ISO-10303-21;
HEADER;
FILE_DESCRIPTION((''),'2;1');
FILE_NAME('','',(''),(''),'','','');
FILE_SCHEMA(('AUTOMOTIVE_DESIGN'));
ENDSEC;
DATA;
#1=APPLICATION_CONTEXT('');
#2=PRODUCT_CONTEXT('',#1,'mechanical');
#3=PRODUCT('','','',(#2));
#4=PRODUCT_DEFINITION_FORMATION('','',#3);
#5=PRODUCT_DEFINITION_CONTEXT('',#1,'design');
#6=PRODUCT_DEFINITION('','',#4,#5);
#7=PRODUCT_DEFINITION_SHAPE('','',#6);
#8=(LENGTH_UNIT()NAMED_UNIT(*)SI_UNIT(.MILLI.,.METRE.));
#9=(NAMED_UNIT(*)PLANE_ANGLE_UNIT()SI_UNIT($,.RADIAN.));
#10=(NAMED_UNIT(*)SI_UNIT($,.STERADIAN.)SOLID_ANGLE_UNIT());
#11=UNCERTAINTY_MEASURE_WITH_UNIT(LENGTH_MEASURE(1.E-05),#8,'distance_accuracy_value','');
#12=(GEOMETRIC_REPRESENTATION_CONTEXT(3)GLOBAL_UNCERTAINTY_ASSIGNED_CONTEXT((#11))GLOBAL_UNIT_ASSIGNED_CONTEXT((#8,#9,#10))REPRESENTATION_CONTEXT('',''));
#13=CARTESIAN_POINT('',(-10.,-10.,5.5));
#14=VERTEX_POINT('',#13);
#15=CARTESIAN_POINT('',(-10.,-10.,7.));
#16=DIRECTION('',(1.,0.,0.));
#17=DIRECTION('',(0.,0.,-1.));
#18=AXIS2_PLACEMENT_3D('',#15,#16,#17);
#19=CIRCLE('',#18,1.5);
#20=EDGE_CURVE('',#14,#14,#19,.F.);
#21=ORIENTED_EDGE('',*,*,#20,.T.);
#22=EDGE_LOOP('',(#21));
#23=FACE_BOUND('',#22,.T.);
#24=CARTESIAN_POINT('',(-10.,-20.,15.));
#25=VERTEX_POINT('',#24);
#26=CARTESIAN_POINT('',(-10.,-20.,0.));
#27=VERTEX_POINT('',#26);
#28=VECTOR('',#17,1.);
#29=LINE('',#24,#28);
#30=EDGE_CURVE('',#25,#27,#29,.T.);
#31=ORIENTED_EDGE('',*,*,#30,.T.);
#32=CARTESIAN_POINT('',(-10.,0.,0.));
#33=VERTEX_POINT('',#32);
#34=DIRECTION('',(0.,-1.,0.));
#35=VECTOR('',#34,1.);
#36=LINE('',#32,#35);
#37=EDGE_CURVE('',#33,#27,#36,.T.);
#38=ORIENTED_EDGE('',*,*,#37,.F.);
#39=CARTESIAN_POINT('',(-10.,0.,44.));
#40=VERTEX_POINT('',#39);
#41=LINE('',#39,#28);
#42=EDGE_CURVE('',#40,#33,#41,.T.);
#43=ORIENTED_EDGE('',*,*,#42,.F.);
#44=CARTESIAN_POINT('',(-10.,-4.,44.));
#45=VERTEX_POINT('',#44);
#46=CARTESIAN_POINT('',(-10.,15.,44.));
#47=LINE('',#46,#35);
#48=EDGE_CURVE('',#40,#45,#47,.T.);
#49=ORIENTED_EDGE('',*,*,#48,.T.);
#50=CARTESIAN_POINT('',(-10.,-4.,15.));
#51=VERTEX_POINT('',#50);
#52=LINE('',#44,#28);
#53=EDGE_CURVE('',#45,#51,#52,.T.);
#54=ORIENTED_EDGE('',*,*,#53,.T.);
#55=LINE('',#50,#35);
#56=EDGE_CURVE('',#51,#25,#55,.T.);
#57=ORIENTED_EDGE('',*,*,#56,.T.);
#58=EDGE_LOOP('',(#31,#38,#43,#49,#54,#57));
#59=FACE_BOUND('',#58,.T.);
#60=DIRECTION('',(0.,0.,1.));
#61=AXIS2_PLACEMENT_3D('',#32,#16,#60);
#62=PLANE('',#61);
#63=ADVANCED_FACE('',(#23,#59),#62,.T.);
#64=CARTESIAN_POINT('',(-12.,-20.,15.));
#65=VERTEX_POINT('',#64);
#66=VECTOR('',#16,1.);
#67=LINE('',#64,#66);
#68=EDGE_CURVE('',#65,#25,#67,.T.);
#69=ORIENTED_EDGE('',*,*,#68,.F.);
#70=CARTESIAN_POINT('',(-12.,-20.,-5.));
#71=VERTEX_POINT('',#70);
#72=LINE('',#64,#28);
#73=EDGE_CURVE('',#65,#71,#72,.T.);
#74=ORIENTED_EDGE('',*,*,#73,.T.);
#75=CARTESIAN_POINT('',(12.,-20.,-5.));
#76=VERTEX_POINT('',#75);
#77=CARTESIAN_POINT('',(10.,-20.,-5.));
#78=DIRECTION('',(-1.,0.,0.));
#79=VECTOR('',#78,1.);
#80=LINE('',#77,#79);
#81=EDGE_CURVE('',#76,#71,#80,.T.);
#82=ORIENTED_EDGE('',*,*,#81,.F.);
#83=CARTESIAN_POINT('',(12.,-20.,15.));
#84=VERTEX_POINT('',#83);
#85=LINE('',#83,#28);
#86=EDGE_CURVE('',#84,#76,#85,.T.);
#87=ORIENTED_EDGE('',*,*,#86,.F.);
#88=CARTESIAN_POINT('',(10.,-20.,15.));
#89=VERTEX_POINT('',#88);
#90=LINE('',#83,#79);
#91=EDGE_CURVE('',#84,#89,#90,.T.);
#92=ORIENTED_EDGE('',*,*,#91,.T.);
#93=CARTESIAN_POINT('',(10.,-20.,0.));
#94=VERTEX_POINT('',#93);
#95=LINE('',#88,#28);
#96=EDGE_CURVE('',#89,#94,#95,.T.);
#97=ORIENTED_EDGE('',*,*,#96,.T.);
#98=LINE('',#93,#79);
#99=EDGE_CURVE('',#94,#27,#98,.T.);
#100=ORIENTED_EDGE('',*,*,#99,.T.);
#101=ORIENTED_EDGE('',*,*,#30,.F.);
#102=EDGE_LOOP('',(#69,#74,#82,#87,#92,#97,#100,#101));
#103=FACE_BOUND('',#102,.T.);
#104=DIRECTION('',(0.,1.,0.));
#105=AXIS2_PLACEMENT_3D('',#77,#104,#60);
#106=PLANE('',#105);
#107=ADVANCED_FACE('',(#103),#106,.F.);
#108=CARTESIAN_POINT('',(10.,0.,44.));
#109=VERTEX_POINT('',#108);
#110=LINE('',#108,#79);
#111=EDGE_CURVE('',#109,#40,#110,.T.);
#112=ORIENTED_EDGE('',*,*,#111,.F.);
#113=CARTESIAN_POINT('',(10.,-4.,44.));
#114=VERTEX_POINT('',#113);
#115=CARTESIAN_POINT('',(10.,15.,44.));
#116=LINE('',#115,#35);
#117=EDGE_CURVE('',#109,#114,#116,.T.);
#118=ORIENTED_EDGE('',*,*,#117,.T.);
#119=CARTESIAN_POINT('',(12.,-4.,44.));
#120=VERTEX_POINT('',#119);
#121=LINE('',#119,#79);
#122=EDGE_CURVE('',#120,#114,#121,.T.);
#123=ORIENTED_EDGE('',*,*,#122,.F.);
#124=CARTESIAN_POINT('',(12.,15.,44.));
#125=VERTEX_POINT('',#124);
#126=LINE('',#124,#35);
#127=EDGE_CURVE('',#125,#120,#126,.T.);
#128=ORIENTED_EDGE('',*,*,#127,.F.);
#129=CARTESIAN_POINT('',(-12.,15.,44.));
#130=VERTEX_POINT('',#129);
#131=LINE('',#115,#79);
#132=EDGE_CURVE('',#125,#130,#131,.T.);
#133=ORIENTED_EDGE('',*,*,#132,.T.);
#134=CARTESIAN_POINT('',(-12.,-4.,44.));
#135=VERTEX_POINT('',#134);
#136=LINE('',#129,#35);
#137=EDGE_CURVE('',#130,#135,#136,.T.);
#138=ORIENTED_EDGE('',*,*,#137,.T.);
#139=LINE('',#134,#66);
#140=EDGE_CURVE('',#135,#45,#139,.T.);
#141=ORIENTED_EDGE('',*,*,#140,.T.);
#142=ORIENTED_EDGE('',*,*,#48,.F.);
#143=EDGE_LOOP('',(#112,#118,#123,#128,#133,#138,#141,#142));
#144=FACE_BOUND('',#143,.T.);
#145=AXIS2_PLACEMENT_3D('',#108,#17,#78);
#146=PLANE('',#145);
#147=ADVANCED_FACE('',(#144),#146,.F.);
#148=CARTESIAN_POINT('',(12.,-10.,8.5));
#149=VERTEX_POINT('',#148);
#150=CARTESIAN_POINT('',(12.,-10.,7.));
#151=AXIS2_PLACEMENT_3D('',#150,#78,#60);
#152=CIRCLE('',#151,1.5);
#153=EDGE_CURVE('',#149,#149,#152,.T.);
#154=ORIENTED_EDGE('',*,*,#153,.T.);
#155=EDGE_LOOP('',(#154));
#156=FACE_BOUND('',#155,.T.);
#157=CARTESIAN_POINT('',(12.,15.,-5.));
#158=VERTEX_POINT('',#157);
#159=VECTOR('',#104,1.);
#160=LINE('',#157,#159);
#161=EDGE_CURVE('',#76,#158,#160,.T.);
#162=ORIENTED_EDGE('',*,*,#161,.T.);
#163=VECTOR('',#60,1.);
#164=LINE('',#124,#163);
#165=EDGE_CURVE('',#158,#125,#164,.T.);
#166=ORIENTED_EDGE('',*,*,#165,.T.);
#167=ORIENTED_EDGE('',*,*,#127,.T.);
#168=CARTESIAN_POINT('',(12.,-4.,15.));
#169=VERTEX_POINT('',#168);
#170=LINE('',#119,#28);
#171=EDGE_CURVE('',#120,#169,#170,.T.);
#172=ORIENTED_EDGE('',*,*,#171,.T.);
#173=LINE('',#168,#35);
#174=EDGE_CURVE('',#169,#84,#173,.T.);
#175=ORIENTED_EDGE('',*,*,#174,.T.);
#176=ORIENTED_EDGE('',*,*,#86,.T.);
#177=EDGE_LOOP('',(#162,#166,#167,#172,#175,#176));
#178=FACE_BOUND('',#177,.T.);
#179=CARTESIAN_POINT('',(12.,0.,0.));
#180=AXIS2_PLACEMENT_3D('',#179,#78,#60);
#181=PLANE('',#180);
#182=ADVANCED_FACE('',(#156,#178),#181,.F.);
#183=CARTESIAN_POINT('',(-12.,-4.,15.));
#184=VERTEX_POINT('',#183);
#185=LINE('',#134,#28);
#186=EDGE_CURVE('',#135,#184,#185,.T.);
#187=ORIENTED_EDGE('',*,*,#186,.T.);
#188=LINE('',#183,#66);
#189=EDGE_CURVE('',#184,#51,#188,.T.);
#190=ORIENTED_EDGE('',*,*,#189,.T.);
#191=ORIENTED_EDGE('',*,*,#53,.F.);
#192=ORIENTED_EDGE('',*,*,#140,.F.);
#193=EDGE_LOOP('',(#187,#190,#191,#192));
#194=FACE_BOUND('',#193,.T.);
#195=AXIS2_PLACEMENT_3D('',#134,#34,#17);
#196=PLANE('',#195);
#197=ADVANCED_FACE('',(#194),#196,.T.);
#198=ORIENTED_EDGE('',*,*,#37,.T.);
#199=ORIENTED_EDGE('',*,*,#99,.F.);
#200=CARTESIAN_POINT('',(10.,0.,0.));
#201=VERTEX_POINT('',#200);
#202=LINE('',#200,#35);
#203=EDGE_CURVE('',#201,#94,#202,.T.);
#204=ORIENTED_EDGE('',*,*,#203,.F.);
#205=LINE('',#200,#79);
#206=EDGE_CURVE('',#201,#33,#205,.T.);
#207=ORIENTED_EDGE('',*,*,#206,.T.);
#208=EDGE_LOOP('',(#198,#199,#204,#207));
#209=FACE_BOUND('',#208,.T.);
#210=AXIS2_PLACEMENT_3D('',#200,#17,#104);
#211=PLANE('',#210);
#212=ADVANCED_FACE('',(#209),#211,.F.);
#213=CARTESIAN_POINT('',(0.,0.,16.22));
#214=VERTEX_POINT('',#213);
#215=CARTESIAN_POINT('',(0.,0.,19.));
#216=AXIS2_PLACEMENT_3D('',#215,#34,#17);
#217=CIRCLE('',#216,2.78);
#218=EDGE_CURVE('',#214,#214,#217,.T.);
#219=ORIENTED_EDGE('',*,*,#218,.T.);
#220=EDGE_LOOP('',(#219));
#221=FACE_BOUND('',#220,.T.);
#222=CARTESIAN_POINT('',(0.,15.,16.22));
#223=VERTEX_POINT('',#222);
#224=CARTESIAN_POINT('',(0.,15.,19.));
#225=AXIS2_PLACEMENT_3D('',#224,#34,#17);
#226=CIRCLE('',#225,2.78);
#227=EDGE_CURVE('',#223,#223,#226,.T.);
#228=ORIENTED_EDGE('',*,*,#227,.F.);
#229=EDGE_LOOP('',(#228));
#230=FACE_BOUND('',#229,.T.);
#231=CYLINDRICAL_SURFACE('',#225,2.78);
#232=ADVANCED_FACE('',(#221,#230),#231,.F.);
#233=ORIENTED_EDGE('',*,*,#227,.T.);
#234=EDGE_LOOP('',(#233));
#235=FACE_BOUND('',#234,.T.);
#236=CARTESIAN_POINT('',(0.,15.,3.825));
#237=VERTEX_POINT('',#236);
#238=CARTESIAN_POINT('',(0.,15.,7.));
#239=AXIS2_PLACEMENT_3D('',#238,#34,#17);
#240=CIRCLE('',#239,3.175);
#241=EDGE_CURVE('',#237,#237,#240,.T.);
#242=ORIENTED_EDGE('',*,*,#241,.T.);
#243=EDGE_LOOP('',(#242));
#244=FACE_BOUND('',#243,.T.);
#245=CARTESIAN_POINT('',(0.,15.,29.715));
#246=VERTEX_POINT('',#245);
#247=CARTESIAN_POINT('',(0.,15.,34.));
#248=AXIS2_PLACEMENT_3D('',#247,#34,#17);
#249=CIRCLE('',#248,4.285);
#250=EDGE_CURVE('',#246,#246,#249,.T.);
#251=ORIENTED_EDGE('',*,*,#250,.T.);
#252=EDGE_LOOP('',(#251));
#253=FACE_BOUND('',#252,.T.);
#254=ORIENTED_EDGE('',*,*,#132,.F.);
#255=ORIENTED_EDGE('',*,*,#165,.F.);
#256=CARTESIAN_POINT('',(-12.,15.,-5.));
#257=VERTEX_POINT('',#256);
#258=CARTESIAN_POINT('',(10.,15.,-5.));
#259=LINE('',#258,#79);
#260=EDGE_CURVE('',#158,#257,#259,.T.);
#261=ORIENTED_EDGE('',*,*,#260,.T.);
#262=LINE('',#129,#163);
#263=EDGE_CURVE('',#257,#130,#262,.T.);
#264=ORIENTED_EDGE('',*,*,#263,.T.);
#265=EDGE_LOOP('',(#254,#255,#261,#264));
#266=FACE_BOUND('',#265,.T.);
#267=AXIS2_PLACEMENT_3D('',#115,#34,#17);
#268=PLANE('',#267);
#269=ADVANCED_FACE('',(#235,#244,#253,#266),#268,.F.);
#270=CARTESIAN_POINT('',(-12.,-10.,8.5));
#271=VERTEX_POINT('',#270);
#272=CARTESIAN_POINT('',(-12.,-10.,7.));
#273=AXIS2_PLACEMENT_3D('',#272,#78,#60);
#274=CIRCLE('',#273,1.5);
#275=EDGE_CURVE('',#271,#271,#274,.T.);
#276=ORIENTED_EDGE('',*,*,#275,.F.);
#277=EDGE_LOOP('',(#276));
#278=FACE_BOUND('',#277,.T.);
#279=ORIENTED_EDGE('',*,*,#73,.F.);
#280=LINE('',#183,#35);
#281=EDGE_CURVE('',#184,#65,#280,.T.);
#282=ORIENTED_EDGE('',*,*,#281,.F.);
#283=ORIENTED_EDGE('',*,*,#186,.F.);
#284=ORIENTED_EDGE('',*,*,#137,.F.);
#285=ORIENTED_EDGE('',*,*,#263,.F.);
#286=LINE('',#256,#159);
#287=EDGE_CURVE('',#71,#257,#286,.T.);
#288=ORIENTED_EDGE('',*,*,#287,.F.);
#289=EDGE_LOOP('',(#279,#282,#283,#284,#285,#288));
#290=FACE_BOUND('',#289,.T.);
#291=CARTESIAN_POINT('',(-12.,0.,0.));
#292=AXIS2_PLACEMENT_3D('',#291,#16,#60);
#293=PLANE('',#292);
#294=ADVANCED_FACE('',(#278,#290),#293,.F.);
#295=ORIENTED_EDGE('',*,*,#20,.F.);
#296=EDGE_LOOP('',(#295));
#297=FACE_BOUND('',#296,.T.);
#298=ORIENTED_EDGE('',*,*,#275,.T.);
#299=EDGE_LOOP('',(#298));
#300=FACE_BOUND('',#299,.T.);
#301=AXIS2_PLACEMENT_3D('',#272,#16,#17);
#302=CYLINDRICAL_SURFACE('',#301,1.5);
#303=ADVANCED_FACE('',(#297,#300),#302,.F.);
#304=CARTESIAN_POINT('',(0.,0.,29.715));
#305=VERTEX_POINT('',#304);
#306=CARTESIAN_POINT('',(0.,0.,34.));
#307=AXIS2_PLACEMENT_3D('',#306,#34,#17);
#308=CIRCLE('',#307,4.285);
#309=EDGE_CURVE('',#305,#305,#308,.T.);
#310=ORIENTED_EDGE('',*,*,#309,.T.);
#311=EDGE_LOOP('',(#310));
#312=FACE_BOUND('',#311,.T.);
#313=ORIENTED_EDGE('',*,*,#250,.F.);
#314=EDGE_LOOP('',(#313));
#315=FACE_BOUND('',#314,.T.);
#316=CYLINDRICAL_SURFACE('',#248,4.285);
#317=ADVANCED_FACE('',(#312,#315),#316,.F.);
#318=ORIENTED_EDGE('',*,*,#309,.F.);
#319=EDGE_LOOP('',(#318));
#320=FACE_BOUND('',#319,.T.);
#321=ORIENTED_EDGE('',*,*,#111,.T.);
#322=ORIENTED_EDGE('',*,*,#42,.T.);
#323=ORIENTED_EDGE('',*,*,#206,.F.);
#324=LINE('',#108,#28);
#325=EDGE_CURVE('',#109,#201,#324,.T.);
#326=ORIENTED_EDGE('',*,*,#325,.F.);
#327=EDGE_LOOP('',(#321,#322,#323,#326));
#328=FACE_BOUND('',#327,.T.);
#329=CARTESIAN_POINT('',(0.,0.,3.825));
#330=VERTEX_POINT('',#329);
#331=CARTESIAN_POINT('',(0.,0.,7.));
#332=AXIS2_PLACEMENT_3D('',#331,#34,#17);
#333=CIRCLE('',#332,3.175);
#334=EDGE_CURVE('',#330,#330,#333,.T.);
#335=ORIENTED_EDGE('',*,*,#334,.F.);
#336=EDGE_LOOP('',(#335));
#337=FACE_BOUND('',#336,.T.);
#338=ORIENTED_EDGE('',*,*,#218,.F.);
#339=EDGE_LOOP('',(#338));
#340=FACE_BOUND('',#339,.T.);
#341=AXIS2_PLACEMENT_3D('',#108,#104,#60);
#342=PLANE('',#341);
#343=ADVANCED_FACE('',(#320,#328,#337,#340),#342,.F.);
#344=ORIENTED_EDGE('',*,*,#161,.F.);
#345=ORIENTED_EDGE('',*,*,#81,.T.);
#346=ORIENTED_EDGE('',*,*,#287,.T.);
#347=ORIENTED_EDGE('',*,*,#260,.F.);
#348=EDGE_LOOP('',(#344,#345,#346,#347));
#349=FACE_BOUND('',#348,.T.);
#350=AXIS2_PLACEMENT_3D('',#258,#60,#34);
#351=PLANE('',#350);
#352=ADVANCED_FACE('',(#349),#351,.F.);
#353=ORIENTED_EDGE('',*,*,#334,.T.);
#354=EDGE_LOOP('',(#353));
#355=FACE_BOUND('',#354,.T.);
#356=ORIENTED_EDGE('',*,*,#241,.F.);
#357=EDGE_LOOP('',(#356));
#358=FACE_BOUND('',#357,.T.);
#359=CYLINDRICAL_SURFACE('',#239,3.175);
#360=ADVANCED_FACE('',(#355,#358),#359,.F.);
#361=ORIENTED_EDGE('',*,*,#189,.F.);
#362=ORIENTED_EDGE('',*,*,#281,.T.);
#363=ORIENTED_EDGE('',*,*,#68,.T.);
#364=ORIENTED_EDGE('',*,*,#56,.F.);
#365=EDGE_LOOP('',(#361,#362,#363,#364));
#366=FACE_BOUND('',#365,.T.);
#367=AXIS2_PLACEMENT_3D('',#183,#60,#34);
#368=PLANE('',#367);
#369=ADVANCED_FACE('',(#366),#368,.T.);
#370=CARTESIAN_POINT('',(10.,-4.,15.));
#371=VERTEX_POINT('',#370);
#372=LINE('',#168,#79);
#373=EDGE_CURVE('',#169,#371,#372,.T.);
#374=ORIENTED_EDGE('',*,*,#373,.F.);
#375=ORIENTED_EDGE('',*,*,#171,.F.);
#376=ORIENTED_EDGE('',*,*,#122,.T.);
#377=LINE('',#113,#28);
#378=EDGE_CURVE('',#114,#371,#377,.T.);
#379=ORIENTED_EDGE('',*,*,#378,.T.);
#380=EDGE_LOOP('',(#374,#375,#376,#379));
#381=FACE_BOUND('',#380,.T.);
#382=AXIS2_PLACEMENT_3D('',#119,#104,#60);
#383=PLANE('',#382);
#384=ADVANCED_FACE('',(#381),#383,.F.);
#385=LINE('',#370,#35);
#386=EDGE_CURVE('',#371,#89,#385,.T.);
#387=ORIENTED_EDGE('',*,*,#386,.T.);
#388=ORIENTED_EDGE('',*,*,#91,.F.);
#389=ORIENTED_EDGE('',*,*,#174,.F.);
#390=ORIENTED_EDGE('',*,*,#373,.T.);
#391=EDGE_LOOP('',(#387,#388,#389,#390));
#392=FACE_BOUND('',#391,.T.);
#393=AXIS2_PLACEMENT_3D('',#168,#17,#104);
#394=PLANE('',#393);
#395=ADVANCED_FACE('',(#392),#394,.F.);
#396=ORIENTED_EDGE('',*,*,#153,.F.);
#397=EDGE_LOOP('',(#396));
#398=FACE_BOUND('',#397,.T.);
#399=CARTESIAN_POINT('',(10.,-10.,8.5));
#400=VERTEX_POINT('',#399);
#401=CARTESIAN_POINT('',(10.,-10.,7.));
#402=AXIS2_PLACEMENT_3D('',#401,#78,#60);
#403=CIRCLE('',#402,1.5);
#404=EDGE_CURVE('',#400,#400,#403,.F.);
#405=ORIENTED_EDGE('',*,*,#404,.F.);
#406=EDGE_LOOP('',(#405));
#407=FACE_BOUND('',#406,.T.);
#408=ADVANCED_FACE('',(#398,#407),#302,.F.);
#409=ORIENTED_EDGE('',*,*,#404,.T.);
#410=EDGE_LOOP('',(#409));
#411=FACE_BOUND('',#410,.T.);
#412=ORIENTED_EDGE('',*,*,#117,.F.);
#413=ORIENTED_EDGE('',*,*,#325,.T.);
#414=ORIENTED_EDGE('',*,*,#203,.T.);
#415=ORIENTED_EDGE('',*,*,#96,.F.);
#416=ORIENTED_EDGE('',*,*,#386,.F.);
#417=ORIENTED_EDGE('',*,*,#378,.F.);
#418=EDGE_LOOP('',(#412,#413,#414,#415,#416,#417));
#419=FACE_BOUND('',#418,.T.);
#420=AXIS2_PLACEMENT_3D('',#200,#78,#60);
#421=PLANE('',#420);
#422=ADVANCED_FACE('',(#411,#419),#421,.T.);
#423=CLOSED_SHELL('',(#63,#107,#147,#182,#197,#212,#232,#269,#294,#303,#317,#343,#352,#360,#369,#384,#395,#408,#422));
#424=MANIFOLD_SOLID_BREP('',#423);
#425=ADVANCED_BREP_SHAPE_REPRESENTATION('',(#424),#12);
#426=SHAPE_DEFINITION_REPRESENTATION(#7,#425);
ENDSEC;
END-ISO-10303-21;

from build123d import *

# Parameters (mm, degrees)
BOSS_EXTRUDE1_DEPTH = 10
BOSS_EXTRUDE2_DEPTH = 2
SKETCH4_R           = 4.285
SKETCH4_R_2         = 2.78
SKETCH4_R_3         = 3.175
CUT_EXTRUDE1_DEPTH  = 50.799598392
SKETCH5_R           = 1.5
CUT_EXTRUDE2_DEPTH  = 65.124878168


with BuildPart() as part:
    # Sketch2 → Boss-Extrude1 (new, symmetric)
    with BuildSketch(Plane(origin=(0, 0, 0), x_dir=(0, 0, -1), z_dir=(1, 0, 0))):
        Polygon((-44, 0), (0, 0), (0, -20), (5, -20), (5, 15), (-44, 15), align=None)
    extrude(amount=BOSS_EXTRUDE1_DEPTH, both=True)

    # Sketch3 → Boss-Extrude2 (add)
    with BuildSketch(Plane(origin=(10, 0, 0), x_dir=(0, 0, -1), z_dir=(1, 0, 0))):
        Polygon((-44, 15), (-44, -4), (-15, -4), (-15, -20), (5, -20), (5, 15), align=None)
    boss_extrude2 = extrude(amount=BOSS_EXTRUDE2_DEPTH)

    # Mirror1: Boss-Extrude2 across plane
    add(boss_extrude2.mirror(Plane(origin=(0, 0, 0), x_dir=(0, 0, 1), z_dir=(1, 0, 0))))

    # Sketch4 → Cut-Extrude1 (cut, through all)
    with BuildSketch(Plane.XZ):
        with Locations(Location((0, 34, 0), (0, 0, 270))):
            Circle(SKETCH4_R)
        with Locations(Location((0, 19, 0), (0, 0, 270))):
            Circle(SKETCH4_R_2)
        with Locations(Location((0, 7, 0), (0, 0, 270))):
            Circle(SKETCH4_R_3)
    extrude(amount=-CUT_EXTRUDE1_DEPTH, mode=Mode.SUBTRACT)

    # Sketch5 → Cut-Extrude2 (cut, through all)
    with BuildSketch(Plane(origin=(12, 0, -12), x_dir=(0, 0, 1), z_dir=(-1, 0, 0))):
        with Locations(Location((19, -10, 0), (0, 0, 180))):
            Circle(SKETCH5_R)
    extrude(amount=CUT_EXTRUDE2_DEPTH, mode=Mode.SUBTRACT)


solid = part.part
